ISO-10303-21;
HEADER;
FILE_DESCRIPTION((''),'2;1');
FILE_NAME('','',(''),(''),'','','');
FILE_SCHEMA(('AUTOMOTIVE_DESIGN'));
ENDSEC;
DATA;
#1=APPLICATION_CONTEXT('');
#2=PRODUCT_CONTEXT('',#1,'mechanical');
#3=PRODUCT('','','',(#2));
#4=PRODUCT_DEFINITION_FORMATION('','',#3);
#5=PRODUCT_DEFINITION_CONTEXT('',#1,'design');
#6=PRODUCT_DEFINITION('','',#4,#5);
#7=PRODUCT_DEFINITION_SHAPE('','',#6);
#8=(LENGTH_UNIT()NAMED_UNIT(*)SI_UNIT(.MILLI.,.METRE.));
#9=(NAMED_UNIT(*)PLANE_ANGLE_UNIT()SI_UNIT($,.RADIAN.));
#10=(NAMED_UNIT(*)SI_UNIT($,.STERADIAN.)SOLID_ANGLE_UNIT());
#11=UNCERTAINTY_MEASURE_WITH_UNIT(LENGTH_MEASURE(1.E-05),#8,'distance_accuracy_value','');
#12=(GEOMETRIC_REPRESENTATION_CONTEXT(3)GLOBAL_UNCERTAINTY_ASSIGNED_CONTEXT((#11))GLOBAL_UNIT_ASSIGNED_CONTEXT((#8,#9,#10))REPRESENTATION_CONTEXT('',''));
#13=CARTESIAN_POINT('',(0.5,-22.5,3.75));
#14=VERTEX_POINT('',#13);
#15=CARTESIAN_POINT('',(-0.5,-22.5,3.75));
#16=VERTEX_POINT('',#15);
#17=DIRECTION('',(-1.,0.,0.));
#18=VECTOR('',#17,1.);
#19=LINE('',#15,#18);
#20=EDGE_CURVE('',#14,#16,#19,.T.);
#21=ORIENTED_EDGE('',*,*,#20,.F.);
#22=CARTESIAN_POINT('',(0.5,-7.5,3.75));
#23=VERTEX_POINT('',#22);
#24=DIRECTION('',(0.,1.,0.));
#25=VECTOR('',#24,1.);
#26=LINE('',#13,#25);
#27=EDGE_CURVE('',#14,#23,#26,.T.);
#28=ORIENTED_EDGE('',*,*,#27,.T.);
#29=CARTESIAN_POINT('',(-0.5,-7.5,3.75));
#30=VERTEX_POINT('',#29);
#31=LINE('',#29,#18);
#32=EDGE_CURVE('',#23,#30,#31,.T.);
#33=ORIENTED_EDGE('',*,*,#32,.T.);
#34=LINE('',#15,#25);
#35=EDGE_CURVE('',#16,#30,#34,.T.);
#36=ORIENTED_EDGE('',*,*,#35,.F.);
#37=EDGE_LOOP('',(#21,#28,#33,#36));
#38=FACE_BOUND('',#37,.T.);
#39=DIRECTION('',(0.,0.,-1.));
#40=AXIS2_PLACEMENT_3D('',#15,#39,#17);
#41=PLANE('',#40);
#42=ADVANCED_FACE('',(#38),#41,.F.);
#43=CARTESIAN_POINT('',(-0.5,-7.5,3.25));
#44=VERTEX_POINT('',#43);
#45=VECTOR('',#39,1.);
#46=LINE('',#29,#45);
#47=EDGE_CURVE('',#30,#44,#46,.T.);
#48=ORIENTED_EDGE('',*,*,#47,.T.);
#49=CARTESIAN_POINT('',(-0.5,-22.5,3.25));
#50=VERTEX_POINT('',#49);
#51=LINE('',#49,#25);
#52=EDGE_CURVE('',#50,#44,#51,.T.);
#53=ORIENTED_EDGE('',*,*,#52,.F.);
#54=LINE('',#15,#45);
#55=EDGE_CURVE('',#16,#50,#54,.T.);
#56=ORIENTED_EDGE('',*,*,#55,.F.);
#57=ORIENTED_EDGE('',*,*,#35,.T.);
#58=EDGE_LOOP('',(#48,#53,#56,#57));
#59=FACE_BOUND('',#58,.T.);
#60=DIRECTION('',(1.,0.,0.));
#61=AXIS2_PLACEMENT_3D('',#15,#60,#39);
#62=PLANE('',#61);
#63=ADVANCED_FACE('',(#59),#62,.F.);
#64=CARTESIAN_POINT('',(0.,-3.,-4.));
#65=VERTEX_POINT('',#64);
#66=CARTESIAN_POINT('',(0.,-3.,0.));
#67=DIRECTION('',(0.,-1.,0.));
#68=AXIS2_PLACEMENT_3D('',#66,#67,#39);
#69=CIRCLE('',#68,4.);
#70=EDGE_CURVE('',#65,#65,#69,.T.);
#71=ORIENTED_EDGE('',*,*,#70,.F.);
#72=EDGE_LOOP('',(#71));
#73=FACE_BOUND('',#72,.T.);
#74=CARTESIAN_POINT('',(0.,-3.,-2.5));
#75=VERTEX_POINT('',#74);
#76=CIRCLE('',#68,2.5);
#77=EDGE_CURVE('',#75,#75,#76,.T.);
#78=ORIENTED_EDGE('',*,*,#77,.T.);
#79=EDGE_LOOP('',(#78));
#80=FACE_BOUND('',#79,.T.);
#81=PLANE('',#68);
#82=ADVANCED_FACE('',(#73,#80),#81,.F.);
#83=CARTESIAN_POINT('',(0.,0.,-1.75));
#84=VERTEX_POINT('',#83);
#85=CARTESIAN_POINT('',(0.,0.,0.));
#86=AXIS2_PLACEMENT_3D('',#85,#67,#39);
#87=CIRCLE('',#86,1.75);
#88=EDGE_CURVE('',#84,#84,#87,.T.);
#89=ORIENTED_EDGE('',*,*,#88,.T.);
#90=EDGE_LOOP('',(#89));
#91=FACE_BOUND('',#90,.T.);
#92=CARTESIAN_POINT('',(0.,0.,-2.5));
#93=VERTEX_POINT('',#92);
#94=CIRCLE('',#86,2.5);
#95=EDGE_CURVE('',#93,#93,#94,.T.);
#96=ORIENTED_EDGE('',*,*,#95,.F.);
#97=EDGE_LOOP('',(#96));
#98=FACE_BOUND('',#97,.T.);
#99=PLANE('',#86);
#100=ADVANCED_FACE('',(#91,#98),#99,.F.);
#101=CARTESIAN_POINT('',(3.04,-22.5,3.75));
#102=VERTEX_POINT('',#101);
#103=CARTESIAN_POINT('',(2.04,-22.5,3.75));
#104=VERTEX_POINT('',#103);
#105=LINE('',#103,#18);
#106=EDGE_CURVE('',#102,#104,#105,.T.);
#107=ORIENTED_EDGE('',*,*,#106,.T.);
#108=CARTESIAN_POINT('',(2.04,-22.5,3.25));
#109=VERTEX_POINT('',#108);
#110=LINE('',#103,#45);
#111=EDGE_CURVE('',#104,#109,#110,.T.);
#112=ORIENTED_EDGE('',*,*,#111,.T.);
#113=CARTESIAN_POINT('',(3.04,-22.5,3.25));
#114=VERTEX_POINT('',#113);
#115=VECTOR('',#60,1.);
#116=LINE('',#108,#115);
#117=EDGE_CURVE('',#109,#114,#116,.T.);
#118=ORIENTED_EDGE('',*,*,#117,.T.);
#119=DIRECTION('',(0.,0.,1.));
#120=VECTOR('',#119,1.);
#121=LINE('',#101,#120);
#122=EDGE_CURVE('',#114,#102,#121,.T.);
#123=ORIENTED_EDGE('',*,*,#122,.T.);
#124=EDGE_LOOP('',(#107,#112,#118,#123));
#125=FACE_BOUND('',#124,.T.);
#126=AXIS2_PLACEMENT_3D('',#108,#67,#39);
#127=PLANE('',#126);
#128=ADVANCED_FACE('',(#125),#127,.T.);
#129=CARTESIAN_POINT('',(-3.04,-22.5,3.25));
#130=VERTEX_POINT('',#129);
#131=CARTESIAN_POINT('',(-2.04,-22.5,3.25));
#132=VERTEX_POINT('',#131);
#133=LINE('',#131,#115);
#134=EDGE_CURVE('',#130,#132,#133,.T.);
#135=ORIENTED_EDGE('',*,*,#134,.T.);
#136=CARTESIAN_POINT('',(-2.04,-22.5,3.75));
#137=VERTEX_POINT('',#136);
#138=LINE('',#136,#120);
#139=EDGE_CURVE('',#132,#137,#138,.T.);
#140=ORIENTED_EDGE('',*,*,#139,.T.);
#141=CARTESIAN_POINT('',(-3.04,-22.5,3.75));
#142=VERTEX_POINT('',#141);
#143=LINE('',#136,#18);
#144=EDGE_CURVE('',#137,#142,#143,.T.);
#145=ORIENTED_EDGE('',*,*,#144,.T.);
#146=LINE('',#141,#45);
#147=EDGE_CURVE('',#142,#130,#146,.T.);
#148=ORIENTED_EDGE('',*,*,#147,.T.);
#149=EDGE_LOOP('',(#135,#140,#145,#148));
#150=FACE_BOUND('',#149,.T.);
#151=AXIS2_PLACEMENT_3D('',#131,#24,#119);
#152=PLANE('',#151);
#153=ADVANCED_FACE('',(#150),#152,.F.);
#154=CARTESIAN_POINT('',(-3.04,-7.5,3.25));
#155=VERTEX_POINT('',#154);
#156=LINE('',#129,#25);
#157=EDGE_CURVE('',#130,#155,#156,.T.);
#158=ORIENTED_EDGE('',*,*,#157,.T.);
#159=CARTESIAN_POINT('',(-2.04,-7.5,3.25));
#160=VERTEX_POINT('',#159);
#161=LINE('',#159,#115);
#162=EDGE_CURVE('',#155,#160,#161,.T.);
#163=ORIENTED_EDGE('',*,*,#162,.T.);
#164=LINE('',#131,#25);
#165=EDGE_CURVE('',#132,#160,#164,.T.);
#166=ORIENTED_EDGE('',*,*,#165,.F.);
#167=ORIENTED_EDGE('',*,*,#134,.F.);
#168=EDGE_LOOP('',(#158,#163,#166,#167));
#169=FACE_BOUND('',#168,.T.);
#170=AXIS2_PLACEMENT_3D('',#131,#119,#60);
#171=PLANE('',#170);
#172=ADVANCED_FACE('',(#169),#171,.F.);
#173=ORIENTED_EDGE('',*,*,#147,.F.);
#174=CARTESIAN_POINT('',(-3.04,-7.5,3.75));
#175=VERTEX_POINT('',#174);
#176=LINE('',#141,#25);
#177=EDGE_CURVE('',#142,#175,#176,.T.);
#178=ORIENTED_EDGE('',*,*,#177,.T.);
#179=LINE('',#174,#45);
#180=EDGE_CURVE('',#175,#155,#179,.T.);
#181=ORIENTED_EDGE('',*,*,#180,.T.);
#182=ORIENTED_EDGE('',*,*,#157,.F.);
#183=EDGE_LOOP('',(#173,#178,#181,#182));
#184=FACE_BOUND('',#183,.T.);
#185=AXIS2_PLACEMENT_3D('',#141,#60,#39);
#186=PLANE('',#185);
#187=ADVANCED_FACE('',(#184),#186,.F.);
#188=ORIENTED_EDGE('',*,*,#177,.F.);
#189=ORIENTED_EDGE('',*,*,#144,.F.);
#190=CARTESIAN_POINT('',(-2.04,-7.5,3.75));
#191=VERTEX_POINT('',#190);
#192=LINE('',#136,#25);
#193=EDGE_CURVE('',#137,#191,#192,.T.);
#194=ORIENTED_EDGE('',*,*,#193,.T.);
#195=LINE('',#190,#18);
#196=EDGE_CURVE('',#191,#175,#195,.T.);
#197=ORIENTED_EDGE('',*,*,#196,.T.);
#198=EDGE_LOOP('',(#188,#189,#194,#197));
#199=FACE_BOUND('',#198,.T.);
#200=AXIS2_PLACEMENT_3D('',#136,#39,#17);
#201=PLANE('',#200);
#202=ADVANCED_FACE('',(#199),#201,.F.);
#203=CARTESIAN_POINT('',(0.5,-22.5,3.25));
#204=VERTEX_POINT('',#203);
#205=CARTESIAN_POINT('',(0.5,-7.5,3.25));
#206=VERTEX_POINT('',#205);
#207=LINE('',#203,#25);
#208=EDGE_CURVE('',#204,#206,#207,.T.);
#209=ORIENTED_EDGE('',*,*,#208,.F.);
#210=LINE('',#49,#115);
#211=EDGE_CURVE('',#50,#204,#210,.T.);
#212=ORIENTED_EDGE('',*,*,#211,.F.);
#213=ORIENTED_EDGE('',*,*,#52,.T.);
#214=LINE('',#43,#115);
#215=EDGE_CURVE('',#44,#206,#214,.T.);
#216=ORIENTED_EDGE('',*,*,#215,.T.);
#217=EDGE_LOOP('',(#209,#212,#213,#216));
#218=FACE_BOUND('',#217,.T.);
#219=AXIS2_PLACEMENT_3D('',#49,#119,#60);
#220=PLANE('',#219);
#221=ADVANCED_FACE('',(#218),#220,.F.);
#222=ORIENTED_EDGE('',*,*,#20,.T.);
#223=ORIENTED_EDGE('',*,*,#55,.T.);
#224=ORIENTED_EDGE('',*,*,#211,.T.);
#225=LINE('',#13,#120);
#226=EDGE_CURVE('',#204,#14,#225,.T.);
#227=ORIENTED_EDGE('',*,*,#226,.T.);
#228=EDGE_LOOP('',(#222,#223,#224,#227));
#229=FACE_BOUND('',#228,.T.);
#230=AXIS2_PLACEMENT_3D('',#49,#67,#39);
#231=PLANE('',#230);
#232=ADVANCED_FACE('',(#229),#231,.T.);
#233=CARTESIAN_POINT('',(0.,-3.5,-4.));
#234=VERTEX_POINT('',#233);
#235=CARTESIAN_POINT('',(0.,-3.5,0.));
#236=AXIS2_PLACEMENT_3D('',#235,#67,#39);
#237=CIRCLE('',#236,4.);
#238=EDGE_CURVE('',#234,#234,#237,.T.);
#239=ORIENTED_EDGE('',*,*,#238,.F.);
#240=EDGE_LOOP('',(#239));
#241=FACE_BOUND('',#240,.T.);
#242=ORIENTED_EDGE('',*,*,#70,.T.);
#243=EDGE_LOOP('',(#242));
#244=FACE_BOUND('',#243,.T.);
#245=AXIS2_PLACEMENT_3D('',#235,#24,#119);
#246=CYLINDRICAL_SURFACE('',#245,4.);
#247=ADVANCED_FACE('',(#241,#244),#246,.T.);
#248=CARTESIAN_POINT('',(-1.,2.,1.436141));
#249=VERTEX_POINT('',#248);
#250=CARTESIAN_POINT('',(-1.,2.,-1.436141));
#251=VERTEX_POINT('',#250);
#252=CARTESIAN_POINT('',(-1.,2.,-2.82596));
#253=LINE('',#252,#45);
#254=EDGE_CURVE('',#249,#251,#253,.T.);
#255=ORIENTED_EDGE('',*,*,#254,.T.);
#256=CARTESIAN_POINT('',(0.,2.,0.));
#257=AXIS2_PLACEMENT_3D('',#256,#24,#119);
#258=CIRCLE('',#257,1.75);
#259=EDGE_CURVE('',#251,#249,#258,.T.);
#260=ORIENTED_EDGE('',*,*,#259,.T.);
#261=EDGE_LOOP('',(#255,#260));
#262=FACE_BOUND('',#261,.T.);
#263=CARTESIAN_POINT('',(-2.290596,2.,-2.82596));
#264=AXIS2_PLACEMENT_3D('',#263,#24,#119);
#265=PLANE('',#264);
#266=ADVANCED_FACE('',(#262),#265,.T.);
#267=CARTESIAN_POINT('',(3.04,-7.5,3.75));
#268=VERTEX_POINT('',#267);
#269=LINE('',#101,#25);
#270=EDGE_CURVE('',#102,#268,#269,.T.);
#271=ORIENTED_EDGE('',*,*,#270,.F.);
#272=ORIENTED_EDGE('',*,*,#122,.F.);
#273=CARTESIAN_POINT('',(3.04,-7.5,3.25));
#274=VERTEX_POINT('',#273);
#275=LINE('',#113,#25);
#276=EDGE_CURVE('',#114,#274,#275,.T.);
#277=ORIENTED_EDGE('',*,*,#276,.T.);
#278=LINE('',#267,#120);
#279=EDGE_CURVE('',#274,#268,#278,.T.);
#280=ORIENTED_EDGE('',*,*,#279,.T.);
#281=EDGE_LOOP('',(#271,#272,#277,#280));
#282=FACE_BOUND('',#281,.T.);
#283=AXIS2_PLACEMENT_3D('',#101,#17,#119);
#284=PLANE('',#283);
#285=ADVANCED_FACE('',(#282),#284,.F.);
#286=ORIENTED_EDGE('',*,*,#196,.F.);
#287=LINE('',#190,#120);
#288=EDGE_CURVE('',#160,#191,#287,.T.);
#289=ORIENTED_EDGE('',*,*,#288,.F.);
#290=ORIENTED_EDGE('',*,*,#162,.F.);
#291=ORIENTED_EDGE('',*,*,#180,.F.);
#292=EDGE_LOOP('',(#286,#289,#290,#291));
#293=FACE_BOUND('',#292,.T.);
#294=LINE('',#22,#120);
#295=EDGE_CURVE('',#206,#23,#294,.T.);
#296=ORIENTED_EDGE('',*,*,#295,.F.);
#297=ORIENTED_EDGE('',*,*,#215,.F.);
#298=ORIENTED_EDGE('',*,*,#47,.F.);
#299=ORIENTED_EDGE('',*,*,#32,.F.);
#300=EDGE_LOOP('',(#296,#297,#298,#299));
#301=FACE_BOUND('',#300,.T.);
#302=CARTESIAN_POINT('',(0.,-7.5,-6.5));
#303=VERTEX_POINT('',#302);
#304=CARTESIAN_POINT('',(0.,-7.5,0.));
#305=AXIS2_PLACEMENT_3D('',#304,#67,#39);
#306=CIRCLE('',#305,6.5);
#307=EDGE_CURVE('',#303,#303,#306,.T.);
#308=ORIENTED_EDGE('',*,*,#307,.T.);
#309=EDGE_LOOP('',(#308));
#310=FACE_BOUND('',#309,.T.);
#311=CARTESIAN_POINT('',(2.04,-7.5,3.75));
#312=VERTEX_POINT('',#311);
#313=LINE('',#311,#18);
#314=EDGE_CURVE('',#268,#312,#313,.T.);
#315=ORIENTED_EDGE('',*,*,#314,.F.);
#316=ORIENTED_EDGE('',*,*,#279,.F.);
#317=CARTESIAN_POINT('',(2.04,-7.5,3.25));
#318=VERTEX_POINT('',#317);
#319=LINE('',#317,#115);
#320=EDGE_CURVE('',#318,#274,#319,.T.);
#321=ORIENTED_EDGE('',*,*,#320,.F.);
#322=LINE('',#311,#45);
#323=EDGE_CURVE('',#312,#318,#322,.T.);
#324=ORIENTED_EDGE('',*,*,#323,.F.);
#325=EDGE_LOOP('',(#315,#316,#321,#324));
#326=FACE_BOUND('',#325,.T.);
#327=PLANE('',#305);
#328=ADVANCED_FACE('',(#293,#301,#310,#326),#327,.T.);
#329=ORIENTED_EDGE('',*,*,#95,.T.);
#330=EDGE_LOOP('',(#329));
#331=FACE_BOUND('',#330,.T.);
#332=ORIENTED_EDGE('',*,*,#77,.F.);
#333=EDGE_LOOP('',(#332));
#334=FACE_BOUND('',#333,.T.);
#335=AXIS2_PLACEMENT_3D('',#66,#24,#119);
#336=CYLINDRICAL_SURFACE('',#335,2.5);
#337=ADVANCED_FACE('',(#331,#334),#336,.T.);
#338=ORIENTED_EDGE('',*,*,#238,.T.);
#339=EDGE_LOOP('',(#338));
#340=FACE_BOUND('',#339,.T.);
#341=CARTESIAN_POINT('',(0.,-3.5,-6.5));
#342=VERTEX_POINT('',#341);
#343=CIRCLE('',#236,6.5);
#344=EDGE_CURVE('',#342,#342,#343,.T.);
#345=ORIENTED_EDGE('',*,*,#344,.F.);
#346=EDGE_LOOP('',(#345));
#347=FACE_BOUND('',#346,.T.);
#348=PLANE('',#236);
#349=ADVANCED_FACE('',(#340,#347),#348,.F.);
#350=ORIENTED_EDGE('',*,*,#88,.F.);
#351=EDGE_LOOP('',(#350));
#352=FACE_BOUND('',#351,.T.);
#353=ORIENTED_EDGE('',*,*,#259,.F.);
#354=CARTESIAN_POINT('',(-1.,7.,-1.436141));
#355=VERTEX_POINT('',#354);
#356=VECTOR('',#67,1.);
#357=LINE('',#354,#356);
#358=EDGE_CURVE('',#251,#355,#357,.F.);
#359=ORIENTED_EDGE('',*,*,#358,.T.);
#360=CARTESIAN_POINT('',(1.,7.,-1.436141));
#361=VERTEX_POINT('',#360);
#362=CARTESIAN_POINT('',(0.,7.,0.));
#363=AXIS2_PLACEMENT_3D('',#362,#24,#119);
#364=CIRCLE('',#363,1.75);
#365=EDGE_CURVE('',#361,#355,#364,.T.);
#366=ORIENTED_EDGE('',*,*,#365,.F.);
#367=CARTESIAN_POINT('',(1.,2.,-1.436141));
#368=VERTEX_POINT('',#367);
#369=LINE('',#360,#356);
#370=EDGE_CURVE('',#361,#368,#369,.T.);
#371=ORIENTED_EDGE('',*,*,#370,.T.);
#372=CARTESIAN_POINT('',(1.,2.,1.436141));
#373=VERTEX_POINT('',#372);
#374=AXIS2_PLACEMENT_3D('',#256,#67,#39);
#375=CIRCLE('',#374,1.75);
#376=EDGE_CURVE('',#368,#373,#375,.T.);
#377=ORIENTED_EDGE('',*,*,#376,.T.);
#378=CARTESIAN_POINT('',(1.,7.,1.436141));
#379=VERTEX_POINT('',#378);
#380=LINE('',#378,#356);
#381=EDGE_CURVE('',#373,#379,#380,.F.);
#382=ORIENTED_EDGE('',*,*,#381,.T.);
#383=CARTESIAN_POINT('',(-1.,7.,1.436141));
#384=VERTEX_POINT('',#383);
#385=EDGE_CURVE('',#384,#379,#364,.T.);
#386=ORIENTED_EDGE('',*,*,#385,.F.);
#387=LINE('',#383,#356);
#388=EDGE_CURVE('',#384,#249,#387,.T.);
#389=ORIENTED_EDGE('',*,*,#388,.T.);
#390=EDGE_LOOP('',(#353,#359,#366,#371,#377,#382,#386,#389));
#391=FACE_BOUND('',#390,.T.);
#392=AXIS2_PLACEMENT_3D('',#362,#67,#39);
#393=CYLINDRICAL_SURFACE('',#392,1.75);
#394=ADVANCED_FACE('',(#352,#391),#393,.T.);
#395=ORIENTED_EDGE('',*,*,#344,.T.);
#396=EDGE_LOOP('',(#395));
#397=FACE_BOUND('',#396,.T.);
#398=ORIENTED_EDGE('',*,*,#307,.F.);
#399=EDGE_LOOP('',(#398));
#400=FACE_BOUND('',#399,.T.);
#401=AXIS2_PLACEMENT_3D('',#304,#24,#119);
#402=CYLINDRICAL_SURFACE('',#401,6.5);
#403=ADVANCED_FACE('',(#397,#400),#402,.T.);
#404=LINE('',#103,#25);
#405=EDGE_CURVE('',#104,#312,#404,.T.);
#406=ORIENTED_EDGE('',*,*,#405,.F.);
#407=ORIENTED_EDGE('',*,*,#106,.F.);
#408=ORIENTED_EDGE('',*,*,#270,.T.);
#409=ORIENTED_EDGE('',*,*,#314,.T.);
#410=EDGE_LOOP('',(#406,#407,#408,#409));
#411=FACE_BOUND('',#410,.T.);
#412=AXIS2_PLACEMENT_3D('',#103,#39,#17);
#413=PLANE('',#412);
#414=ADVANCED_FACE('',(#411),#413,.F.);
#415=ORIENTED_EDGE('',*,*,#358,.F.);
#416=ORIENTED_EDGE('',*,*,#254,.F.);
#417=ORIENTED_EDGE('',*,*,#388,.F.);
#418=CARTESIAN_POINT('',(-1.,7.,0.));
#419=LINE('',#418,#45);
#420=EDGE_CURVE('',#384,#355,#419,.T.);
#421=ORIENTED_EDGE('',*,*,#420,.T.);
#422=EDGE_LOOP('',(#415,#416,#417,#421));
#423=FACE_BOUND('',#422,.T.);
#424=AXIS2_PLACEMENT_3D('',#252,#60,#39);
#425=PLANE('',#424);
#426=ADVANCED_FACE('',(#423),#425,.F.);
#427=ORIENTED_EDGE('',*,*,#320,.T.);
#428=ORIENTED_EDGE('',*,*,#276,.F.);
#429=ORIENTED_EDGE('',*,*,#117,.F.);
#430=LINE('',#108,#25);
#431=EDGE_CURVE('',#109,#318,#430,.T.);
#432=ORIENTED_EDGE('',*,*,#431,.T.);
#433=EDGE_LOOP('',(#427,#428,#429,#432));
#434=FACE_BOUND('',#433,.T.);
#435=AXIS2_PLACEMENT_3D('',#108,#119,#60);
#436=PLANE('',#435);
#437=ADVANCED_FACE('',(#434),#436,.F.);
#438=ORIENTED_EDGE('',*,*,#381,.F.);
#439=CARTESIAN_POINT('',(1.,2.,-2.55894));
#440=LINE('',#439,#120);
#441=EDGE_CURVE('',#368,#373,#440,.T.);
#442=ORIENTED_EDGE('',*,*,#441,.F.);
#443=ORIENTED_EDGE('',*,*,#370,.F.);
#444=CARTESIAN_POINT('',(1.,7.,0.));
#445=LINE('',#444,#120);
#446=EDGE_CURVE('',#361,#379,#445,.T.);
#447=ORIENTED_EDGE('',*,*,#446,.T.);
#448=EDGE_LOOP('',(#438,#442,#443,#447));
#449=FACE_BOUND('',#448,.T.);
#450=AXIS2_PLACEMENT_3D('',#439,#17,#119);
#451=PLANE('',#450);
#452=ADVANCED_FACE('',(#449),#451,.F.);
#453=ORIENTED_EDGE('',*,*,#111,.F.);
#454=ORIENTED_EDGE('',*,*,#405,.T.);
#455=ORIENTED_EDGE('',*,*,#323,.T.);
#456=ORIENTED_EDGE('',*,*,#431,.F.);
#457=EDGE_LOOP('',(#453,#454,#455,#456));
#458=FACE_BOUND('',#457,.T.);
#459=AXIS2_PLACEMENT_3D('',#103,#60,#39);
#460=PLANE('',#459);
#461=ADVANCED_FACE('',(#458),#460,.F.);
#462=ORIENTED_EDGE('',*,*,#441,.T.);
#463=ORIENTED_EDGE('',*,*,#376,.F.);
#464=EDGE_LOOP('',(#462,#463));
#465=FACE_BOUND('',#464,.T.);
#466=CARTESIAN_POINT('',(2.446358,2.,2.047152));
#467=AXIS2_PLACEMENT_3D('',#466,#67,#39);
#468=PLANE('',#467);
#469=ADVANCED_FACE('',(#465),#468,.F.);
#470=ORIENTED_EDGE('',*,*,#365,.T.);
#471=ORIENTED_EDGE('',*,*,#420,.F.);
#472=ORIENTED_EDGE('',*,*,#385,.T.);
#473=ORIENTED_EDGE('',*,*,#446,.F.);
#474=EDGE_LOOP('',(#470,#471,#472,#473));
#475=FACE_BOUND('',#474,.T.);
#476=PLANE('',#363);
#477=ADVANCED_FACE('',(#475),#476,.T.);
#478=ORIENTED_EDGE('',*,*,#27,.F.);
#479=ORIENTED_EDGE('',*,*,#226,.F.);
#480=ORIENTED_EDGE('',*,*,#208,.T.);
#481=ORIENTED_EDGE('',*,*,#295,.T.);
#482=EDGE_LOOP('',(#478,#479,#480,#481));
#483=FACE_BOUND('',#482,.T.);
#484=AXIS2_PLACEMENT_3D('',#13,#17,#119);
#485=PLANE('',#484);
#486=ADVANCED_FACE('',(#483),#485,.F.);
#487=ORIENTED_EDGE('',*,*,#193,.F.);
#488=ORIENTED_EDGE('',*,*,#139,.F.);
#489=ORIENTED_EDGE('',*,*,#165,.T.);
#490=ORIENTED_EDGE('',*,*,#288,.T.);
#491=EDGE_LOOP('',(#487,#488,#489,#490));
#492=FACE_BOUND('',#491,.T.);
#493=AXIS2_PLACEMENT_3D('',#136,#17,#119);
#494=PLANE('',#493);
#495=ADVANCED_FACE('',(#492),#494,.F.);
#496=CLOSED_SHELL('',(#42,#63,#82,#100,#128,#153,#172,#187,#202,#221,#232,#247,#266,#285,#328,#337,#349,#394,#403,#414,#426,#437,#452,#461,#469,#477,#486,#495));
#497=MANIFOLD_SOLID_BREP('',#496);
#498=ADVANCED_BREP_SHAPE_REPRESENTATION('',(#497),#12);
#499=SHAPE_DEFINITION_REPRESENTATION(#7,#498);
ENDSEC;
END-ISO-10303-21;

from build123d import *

# Parameters (mm, degrees)
SKETCH1_R          = 1.75
EXTRUDE1_DEPTH     = 7
SKETCH2_W          = 1.290596026
SKETCH2_H          = 4.717350993
SKETCH2_W_2        = 1.446357616
SKETCH2_H_2        = 4.606092715
CUT_EXTRUDE1_DEPTH = 5
SKETCH3_R          = 2.5
EXTRUDE2_DEPTH     = 3
SKETCH4_R          = 4
EXTRUDE3_DEPTH     = 0.5
SKETCH5_R          = 6.5
EXTRUDE4_DEPTH     = 4
SKETCH7_W          = 1
SKETCH7_H          = 0.5
EXTRUDE5_DEPTH     = 15


with BuildPart() as part:
    # Sketch1 → Extrude1 (new body)
    with BuildSketch(Plane(origin=(0, 0, 0), x_dir=(1, 0, 0), z_dir=(0, 1, 0))):
        with Locations(Location((0, 0, 0), (0, 0, 270))):  # turned: the seam where the file's is
            Circle(SKETCH1_R)
    extrude(amount=EXTRUDE1_DEPTH)

    # Sketch2 → Cut-Extrude1 (cut)
    with BuildSketch(Plane(origin=(0, 7, 0), x_dir=(1, 0, 0), z_dir=(0, 1, 0))):
        with Locations((-1.645298013, 0.467284768)):
            Rectangle(SKETCH2_W, SKETCH2_H)
        with Locations((1.723178808, 0.25589404)):
            Rectangle(SKETCH2_W_2, SKETCH2_H_2)
    extrude(amount=-CUT_EXTRUDE1_DEPTH, mode=Mode.SUBTRACT)

    # Sketch3 → Extrude2 (add)
    with BuildSketch(Plane.XZ):
        with Locations(Location((0, 0, 0), (0, 0, 270))):  # turned: the seam where the file's is
            Circle(SKETCH3_R)
    extrude(amount=EXTRUDE2_DEPTH)

    # Sketch4 → Extrude3 (add)
    with BuildSketch(Plane.XZ.offset(3)):
        with Locations(Location((0, 0, 0), (0, 0, 270))):  # turned: the seam where the file's is
            Circle(SKETCH4_R)
    extrude(amount=EXTRUDE3_DEPTH)

    # Sketch5 → Extrude4 (add)
    with BuildSketch(Plane.XZ.offset(3.5)):
        with Locations(Location((0, 0, 0), (0, 0, 270))):  # turned: the seam where the file's is
            Circle(SKETCH5_R)
    extrude(amount=EXTRUDE4_DEPTH)

    # Sketch7 → Extrude5 (add)
    with BuildSketch(Plane.XZ.offset(7.5)):
        with Locations((0, 3.5)):
            Rectangle(SKETCH7_W, SKETCH7_H)
        with Locations((2.54, 3.5)):
            Rectangle(SKETCH7_W, SKETCH7_H)
        with Locations((-2.54, 3.5)):
            Rectangle(SKETCH7_W, SKETCH7_H)
    extrude(amount=EXTRUDE5_DEPTH)


solid = part.part
